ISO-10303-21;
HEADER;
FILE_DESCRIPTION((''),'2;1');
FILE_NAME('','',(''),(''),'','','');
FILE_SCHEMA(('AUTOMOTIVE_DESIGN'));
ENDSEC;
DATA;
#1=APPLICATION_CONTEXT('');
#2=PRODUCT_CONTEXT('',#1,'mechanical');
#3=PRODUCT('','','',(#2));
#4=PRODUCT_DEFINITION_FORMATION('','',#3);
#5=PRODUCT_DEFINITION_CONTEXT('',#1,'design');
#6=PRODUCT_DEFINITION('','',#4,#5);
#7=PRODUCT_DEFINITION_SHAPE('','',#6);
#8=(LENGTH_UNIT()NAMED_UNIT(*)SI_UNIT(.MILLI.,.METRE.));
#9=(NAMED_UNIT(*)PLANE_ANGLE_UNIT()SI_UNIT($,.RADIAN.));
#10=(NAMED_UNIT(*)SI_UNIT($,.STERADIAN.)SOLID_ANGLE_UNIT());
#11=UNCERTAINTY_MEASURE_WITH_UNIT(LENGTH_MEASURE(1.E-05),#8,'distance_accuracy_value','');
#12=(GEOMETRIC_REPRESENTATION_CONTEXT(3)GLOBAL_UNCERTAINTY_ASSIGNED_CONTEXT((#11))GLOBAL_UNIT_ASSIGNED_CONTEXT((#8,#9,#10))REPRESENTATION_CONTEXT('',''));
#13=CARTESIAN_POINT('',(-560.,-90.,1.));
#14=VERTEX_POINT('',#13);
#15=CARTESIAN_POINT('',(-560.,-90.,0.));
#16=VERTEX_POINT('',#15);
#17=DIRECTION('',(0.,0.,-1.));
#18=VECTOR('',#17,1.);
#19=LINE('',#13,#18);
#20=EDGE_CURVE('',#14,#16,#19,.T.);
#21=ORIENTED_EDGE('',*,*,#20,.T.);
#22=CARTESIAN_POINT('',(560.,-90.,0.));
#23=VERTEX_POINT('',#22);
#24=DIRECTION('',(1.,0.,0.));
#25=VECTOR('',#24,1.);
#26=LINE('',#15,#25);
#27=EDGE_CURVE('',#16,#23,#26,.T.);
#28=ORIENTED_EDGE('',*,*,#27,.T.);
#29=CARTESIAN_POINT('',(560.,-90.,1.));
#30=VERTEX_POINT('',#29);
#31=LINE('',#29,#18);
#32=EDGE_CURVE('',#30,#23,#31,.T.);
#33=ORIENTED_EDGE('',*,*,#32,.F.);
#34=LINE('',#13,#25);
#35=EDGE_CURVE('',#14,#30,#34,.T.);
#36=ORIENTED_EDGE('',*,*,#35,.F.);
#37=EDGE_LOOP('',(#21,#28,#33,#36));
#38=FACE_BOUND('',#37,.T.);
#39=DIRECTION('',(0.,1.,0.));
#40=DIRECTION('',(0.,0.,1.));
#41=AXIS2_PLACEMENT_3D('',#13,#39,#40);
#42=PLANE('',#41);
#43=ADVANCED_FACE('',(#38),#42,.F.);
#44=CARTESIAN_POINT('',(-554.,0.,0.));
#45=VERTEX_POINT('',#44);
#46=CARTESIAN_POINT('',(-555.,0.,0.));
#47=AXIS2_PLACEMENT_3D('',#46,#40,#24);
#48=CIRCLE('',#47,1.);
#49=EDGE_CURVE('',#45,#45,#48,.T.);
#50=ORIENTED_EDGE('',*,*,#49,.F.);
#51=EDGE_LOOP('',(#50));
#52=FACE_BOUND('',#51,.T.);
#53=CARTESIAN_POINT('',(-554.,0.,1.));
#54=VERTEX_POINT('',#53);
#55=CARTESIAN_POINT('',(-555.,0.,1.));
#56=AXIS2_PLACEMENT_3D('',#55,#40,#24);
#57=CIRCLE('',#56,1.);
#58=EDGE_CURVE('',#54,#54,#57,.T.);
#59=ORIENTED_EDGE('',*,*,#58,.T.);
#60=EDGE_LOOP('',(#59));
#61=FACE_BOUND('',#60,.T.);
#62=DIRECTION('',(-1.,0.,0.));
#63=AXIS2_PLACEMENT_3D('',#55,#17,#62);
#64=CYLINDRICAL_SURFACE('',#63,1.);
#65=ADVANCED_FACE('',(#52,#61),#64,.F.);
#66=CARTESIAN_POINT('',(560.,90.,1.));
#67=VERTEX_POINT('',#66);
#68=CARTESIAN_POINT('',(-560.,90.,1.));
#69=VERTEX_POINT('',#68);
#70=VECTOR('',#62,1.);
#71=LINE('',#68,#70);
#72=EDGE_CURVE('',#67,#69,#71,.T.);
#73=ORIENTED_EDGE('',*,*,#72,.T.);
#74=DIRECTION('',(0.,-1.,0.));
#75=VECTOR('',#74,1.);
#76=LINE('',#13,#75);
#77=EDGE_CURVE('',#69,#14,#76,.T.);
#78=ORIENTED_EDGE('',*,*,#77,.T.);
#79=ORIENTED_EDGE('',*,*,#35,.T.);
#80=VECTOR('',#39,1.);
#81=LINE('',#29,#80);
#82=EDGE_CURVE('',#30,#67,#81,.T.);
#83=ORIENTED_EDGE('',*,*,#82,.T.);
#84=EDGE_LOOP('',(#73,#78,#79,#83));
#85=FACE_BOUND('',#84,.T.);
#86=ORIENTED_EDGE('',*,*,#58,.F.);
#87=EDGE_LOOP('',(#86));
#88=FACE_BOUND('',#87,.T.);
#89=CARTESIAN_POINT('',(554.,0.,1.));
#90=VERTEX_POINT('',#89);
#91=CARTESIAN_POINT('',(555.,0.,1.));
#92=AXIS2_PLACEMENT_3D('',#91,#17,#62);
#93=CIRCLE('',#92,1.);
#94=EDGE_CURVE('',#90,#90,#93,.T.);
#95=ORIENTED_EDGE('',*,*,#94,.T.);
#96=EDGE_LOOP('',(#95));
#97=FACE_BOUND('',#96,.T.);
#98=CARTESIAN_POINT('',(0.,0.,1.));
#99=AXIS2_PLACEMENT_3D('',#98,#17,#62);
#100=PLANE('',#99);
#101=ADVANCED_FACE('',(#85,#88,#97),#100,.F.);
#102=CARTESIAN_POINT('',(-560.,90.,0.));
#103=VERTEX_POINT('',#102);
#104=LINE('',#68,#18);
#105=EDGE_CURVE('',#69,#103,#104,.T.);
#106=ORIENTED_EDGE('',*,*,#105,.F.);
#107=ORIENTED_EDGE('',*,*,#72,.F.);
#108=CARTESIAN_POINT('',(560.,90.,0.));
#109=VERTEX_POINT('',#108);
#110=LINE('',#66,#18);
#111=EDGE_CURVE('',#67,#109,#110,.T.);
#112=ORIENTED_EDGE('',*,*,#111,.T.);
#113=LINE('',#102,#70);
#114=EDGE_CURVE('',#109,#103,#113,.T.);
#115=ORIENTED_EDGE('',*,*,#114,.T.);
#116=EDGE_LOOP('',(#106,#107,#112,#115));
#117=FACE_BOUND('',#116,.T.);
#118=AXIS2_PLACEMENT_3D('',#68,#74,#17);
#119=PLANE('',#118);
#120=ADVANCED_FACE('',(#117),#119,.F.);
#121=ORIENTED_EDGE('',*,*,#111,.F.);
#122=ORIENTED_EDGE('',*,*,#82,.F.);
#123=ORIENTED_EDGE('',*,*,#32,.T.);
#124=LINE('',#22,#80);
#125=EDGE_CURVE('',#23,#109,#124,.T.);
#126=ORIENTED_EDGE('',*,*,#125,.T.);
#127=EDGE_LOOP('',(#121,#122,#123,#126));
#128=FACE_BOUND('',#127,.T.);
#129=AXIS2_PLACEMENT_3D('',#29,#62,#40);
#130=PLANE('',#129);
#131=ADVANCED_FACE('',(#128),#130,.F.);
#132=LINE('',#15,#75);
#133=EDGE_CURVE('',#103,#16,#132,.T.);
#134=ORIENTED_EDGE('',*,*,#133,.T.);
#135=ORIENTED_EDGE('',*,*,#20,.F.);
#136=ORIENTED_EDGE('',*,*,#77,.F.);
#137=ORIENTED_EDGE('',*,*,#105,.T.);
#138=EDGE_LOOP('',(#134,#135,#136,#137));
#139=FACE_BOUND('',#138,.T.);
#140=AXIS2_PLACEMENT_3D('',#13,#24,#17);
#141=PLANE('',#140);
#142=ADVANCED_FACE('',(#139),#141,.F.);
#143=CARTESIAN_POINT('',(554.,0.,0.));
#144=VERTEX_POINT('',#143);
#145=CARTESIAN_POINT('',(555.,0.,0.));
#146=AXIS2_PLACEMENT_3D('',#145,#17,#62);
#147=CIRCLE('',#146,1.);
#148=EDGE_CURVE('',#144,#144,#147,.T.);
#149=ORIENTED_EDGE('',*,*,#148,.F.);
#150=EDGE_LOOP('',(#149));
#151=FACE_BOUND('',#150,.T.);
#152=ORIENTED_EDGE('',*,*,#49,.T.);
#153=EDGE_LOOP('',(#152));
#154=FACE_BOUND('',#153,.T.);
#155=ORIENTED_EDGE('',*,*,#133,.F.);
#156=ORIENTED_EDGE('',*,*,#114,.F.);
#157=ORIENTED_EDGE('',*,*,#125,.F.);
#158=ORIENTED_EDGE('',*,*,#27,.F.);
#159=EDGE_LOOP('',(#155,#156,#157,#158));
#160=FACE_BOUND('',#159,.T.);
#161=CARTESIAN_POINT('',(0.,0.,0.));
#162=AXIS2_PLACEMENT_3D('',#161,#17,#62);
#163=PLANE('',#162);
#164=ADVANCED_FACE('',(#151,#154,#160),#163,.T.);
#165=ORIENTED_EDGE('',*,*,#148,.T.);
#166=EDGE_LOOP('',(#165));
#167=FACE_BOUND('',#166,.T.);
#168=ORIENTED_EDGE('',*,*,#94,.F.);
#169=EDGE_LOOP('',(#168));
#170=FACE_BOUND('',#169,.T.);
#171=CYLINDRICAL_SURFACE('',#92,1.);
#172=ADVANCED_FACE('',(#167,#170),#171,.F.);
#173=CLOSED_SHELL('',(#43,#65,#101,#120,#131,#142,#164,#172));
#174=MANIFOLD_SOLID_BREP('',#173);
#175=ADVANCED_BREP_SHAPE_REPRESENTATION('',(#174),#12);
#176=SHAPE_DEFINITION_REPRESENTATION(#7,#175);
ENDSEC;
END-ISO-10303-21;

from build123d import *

# Parameters (mm, degrees)
SKETCH1_W           = 1120
SKETCH1_H           = 180
BOSS_EXTRUDE1_DEPTH = 1
SKETCH2_R           = 1
CUT_EXTRUDE1_DEPTH  = 2


with BuildPart() as part:
    # Sketch1 → Boss-Extrude1 (new body)
    with BuildSketch(Plane.XY):
        Rectangle(SKETCH1_W, SKETCH1_H)
    extrude(amount=BOSS_EXTRUDE1_DEPTH)

    # Sketch2 → Cut-Extrude1 (cut, through all)
    with BuildSketch(Plane(origin=(0, 0, 0), x_dir=(-1, 0, 0), z_dir=(0, 0, -1))):
        with Locations((-555, 0)):
            Circle(SKETCH2_R)
    cut_extrude1 = extrude(amount=-CUT_EXTRUDE1_DEPTH, mode=Mode.SUBTRACT)

    # Mirror1: Cut-Extrude1 across plane
    add(cut_extrude1.mirror(Plane(origin=(0, 0, 0), x_dir=(0, 0, 1), z_dir=(1, 0, 0))), mode=Mode.SUBTRACT)


solid = part.part
